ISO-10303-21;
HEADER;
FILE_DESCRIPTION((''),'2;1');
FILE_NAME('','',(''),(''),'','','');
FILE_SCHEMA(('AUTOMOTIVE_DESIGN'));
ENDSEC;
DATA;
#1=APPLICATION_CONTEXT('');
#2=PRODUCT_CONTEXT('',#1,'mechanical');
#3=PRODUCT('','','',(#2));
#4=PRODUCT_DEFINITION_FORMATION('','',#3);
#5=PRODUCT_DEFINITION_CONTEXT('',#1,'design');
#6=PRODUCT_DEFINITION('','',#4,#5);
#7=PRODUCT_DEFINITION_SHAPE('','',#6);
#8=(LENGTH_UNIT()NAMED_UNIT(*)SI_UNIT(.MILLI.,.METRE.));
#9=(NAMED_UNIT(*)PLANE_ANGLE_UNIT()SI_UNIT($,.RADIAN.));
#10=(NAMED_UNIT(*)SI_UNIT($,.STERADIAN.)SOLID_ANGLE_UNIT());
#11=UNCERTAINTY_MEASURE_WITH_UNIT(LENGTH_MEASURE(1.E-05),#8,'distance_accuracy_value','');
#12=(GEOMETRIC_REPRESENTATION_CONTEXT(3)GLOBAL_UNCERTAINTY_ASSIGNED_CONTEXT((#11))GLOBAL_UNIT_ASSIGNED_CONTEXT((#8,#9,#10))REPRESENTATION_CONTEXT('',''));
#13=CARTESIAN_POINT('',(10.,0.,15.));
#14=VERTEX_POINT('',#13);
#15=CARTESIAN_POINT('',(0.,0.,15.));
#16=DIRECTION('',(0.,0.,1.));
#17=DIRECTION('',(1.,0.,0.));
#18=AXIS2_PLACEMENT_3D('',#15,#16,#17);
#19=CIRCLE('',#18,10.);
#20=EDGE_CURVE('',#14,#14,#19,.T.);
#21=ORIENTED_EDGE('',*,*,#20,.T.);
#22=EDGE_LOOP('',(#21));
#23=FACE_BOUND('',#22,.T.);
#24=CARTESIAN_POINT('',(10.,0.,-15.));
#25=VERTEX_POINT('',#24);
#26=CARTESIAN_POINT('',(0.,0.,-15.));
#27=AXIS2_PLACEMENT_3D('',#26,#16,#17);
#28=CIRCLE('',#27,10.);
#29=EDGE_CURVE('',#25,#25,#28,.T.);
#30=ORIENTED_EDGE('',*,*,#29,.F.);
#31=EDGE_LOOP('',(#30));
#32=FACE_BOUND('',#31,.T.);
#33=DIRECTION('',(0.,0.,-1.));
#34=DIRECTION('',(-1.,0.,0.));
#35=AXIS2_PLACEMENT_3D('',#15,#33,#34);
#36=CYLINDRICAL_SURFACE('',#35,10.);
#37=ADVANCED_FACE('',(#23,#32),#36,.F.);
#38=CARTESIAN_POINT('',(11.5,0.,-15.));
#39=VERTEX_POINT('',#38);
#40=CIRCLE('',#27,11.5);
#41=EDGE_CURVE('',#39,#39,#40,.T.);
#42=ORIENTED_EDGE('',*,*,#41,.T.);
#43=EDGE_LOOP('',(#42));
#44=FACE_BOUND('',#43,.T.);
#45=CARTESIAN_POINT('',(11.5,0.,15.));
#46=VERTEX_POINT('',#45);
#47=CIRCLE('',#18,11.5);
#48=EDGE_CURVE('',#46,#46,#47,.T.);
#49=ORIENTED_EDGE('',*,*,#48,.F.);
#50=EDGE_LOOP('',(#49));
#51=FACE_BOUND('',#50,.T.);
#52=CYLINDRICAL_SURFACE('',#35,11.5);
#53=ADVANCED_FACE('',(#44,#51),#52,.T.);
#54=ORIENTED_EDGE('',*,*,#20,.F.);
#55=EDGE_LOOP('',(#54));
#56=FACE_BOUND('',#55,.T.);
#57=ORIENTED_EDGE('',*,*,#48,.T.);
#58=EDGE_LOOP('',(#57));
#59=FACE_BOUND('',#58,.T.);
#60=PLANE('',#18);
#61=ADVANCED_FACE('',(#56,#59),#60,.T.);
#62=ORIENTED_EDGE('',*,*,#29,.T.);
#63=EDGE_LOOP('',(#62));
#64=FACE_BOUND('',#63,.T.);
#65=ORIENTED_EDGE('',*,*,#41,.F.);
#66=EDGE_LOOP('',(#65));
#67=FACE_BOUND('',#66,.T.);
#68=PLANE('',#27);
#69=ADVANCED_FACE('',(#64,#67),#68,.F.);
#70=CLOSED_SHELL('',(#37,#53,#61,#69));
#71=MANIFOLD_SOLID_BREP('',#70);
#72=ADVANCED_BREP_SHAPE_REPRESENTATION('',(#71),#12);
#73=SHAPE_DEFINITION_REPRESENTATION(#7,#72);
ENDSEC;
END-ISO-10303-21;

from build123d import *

# Parameters (mm, degrees)
CROQUIS1_R              = 11.5
CROQUIS1_R_2            = 10
SALIENTE_EXTRUIR1_DEPTH = 15


with BuildPart() as part:
    # Croquis1 → Saliente-Extruir1 (new body, symmetric)
    with BuildSketch(Plane.XY):
        Circle(CROQUIS1_R)
        Circle(CROQUIS1_R_2, mode=Mode.SUBTRACT)
    extrude(amount=SALIENTE_EXTRUIR1_DEPTH, both=True)


solid = part.part
